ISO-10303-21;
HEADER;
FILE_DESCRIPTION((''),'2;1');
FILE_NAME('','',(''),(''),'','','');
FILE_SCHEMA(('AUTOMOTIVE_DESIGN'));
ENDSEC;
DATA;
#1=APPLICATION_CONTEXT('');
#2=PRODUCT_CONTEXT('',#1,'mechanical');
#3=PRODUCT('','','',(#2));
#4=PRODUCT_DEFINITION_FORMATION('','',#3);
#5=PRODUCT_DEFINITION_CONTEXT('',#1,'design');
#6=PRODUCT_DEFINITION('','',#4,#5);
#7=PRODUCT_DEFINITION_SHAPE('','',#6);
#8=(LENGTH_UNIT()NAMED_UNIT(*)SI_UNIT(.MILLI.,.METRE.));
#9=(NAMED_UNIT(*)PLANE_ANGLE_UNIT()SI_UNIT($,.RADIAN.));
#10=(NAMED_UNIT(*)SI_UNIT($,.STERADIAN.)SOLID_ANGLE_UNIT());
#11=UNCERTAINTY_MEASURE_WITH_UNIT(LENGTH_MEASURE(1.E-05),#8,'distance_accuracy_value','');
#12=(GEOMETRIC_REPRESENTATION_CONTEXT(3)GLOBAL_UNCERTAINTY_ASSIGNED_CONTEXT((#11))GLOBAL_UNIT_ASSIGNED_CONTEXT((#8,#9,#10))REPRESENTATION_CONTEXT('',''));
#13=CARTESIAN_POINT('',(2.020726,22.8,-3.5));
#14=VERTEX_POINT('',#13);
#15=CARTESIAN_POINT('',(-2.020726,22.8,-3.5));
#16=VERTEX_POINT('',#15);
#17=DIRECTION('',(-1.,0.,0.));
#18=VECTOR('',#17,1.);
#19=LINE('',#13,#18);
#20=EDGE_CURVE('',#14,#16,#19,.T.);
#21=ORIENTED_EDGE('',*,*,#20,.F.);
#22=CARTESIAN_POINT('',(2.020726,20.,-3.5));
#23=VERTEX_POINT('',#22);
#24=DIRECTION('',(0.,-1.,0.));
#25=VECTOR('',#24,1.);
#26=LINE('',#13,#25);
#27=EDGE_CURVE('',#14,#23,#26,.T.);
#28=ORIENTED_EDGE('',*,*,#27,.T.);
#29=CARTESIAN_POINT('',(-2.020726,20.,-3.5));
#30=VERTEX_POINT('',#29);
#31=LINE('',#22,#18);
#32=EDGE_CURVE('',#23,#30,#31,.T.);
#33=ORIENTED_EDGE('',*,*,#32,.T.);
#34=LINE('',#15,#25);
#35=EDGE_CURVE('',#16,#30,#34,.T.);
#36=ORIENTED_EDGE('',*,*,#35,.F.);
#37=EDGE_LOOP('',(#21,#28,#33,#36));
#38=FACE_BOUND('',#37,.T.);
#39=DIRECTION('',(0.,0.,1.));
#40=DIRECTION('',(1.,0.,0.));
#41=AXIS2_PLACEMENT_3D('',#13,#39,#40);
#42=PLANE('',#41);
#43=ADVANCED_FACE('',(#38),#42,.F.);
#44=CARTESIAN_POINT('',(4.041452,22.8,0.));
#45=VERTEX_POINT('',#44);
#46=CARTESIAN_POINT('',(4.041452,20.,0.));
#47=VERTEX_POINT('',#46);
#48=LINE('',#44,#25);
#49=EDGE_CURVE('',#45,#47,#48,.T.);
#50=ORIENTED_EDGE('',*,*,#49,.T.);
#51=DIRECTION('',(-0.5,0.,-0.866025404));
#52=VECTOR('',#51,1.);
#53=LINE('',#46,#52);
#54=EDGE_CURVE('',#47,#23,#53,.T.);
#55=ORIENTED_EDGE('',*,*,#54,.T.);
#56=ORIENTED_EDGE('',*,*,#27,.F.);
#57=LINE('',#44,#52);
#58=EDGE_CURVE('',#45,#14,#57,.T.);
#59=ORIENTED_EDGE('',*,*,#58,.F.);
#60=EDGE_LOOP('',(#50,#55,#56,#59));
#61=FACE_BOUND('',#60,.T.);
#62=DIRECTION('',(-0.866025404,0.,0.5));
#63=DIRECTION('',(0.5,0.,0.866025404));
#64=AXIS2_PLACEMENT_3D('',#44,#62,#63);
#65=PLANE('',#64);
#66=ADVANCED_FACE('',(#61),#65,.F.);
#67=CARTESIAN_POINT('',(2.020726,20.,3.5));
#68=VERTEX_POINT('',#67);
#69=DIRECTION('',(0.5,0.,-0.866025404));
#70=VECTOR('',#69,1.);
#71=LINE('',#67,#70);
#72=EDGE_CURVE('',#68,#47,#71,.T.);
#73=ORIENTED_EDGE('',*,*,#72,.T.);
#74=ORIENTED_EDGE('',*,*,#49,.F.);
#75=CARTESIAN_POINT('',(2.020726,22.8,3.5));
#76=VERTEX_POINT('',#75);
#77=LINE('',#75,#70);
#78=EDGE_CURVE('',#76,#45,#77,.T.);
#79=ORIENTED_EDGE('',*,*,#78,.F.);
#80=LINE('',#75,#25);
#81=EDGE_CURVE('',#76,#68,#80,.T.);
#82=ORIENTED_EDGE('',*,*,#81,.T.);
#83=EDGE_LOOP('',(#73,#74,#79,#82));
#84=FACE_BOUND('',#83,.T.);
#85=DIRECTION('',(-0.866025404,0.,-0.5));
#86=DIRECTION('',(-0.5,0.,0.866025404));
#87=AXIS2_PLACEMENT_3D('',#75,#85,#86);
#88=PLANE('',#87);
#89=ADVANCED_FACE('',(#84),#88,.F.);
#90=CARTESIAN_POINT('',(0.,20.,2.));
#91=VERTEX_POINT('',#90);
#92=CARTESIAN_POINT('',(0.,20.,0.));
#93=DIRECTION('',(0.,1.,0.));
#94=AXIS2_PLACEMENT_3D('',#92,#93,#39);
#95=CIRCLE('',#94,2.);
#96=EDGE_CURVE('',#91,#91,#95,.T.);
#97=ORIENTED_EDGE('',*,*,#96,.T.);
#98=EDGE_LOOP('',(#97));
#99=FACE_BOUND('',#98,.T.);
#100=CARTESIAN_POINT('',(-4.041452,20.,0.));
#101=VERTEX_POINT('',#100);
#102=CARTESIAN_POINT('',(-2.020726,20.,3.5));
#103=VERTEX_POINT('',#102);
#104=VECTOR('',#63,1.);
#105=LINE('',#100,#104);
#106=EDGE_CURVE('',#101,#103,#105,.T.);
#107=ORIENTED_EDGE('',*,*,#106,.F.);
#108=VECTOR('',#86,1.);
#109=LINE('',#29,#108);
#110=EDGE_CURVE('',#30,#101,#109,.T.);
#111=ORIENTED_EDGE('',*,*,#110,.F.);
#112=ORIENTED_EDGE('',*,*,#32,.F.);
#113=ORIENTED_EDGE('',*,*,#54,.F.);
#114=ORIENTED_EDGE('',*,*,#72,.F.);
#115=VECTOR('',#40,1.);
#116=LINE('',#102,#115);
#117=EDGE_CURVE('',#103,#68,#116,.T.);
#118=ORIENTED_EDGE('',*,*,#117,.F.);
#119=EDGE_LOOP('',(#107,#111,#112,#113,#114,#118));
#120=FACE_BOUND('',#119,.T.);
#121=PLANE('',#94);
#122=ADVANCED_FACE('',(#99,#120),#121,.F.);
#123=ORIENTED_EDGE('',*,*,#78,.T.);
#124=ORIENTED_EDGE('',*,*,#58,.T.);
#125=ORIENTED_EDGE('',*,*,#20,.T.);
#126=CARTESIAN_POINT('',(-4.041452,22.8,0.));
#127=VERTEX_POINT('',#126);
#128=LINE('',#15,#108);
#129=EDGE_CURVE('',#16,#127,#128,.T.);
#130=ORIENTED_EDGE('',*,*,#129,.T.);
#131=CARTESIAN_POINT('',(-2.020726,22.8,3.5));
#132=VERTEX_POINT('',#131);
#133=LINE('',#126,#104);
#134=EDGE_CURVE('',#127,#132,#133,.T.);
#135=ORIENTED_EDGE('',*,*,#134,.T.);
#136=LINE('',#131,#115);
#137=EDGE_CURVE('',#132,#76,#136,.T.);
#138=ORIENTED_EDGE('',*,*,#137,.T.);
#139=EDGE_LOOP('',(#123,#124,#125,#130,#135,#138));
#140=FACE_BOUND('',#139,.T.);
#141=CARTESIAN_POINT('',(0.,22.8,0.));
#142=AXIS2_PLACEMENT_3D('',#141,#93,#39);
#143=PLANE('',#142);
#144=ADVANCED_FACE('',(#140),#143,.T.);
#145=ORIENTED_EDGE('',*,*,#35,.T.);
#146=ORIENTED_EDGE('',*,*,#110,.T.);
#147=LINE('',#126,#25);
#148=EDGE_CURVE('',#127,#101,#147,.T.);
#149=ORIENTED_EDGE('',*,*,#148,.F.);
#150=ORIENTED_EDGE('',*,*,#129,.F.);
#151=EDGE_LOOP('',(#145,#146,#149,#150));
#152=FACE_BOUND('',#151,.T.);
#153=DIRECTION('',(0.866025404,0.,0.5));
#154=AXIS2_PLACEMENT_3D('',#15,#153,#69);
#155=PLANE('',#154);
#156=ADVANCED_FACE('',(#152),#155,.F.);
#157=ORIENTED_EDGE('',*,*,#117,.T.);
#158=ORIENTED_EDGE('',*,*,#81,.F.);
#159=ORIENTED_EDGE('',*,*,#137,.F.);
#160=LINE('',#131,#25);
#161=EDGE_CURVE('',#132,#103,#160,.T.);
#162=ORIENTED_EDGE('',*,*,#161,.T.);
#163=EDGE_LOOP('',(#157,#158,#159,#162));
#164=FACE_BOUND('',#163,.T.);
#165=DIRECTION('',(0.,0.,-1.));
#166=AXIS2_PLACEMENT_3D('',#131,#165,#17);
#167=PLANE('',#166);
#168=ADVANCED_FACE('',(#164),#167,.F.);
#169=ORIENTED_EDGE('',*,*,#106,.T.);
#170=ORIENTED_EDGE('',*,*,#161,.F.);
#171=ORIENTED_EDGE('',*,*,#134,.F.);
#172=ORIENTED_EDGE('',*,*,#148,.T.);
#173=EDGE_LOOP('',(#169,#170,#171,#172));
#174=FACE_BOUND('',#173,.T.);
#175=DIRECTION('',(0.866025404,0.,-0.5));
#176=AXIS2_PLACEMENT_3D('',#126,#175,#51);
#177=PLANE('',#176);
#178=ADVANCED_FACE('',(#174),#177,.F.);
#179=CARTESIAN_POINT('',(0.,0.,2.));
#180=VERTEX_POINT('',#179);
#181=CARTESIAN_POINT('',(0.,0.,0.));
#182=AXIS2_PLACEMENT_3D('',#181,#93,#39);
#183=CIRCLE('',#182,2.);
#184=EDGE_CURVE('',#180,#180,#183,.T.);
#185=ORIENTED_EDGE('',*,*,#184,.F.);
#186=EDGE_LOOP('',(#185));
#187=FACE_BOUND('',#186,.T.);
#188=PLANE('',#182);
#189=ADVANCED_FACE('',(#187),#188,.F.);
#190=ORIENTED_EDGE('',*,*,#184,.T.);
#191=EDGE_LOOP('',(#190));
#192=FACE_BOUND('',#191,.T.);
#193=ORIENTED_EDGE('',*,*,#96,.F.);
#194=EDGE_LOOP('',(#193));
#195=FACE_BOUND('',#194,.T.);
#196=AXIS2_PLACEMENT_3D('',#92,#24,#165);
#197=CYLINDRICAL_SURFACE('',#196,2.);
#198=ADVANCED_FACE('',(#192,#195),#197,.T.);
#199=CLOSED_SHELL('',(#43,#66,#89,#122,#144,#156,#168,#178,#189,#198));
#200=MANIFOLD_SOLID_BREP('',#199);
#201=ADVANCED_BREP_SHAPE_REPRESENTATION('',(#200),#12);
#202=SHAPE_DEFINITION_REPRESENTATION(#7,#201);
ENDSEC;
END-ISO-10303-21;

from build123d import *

# Parameters (mm, degrees)
SKETCH_1_R      = 2
EXTRUDE_1_DEPTH = 20
EXTRUDE_2_DEPTH = 2.8


with BuildPart() as part:
    # 草图1 → 凸台-拉伸1 (new body)
    with BuildSketch(Plane(origin=(0, 0, 0), x_dir=(1, 0, 0), z_dir=(0, 1, 0))):
        with Locations(Location((0, 0, 0), (0, 0, 270))):
            Circle(SKETCH_1_R)
    extrude(amount=EXTRUDE_1_DEPTH)

    # 草图2 → 凸台-拉伸2 (add)
    with BuildSketch(Plane(origin=(0, 20, 0), x_dir=(1, 0, 0), z_dir=(0, 1, 0))):
        Polygon((4.041451884, 0), (2.020725942, 3.5), (-2.020725942, 3.5), (-4.041451884, 0), (-2.020725942, -3.5), (2.020725942, -3.5), align=None)
    extrude(amount=EXTRUDE_2_DEPTH)


solid = part.part
